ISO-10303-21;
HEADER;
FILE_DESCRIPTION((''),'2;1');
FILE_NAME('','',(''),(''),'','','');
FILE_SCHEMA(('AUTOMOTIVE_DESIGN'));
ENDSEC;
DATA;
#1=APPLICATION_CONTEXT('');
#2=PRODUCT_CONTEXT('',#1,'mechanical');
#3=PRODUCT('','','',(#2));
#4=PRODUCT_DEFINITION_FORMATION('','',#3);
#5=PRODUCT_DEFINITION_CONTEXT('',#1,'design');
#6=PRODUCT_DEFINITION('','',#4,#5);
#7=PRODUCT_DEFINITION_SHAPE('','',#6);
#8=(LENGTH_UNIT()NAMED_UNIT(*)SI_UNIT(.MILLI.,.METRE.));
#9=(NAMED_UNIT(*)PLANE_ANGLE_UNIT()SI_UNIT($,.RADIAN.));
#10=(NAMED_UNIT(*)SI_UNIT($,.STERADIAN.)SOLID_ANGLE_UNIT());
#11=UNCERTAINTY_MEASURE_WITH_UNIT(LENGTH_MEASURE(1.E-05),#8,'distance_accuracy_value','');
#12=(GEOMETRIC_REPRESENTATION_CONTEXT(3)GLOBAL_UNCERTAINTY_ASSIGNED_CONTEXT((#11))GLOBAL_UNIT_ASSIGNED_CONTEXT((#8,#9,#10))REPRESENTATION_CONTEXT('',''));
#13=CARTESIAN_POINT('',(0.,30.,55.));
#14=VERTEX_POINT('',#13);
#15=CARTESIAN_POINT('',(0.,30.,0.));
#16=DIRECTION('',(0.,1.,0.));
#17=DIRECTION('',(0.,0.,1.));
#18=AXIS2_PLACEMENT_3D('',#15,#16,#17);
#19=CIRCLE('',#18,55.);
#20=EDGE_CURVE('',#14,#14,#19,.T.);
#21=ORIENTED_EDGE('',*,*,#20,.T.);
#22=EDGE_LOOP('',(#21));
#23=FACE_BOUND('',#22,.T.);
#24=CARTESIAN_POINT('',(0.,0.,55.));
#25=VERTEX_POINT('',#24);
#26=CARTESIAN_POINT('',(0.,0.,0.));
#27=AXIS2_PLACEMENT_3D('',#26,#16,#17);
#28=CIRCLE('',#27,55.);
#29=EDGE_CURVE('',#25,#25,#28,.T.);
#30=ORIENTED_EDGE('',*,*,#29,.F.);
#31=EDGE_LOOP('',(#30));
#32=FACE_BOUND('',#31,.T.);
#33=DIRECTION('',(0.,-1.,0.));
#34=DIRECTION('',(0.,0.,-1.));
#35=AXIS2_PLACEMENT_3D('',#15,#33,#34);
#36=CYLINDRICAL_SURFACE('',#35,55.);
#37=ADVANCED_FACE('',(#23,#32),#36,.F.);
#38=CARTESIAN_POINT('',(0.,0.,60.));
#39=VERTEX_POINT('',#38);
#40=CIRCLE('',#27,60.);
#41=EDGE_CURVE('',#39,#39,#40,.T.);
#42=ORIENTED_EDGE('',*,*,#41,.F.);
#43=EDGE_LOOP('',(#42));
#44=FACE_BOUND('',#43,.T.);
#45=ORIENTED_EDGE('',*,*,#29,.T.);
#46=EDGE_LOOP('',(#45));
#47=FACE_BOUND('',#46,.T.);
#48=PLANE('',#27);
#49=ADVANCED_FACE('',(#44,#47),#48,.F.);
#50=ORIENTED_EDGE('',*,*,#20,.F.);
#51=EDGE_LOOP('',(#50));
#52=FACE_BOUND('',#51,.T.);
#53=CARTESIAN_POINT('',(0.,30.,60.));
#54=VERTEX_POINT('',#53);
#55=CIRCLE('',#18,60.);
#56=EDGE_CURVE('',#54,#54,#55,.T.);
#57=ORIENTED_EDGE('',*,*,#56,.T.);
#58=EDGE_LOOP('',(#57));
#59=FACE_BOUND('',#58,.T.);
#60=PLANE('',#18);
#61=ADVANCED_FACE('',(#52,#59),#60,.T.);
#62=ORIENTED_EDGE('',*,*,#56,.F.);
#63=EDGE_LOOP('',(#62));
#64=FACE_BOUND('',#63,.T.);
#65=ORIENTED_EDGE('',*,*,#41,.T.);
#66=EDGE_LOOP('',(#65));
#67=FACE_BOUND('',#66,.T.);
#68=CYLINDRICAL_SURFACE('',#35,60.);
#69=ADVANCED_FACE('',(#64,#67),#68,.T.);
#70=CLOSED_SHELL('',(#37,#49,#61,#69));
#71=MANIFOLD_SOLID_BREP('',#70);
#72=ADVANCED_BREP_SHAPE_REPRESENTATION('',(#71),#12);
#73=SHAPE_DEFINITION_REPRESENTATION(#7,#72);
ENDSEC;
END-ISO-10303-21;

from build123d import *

# Parameters (mm, degrees)
SKETCH_1_R      = 60
EXTRUDE_1_DEPTH = 30
SHELL_1_T       = -5


with BuildPart() as part:
    # 草圖1 → 填料-伸長1 (new body)
    with BuildSketch(Plane(origin=(0, 0, 0), x_dir=(1, 0, 0), z_dir=(0, 1, 0))):
        with Locations(Location((0, 0, 0), (0, 0, 270))):
            Circle(SKETCH_1_R)
    extrude(amount=EXTRUDE_1_DEPTH)

    # 薄殼1
    shell_1_openings = [part.faces().sort_by_distance(p)[0] for p in [
        (0, 30, 0),
        (0, 0, 0),
    ]]
    offset(amount=SHELL_1_T, openings=shell_1_openings, kind=Kind.INTERSECTION)


solid = part.part
